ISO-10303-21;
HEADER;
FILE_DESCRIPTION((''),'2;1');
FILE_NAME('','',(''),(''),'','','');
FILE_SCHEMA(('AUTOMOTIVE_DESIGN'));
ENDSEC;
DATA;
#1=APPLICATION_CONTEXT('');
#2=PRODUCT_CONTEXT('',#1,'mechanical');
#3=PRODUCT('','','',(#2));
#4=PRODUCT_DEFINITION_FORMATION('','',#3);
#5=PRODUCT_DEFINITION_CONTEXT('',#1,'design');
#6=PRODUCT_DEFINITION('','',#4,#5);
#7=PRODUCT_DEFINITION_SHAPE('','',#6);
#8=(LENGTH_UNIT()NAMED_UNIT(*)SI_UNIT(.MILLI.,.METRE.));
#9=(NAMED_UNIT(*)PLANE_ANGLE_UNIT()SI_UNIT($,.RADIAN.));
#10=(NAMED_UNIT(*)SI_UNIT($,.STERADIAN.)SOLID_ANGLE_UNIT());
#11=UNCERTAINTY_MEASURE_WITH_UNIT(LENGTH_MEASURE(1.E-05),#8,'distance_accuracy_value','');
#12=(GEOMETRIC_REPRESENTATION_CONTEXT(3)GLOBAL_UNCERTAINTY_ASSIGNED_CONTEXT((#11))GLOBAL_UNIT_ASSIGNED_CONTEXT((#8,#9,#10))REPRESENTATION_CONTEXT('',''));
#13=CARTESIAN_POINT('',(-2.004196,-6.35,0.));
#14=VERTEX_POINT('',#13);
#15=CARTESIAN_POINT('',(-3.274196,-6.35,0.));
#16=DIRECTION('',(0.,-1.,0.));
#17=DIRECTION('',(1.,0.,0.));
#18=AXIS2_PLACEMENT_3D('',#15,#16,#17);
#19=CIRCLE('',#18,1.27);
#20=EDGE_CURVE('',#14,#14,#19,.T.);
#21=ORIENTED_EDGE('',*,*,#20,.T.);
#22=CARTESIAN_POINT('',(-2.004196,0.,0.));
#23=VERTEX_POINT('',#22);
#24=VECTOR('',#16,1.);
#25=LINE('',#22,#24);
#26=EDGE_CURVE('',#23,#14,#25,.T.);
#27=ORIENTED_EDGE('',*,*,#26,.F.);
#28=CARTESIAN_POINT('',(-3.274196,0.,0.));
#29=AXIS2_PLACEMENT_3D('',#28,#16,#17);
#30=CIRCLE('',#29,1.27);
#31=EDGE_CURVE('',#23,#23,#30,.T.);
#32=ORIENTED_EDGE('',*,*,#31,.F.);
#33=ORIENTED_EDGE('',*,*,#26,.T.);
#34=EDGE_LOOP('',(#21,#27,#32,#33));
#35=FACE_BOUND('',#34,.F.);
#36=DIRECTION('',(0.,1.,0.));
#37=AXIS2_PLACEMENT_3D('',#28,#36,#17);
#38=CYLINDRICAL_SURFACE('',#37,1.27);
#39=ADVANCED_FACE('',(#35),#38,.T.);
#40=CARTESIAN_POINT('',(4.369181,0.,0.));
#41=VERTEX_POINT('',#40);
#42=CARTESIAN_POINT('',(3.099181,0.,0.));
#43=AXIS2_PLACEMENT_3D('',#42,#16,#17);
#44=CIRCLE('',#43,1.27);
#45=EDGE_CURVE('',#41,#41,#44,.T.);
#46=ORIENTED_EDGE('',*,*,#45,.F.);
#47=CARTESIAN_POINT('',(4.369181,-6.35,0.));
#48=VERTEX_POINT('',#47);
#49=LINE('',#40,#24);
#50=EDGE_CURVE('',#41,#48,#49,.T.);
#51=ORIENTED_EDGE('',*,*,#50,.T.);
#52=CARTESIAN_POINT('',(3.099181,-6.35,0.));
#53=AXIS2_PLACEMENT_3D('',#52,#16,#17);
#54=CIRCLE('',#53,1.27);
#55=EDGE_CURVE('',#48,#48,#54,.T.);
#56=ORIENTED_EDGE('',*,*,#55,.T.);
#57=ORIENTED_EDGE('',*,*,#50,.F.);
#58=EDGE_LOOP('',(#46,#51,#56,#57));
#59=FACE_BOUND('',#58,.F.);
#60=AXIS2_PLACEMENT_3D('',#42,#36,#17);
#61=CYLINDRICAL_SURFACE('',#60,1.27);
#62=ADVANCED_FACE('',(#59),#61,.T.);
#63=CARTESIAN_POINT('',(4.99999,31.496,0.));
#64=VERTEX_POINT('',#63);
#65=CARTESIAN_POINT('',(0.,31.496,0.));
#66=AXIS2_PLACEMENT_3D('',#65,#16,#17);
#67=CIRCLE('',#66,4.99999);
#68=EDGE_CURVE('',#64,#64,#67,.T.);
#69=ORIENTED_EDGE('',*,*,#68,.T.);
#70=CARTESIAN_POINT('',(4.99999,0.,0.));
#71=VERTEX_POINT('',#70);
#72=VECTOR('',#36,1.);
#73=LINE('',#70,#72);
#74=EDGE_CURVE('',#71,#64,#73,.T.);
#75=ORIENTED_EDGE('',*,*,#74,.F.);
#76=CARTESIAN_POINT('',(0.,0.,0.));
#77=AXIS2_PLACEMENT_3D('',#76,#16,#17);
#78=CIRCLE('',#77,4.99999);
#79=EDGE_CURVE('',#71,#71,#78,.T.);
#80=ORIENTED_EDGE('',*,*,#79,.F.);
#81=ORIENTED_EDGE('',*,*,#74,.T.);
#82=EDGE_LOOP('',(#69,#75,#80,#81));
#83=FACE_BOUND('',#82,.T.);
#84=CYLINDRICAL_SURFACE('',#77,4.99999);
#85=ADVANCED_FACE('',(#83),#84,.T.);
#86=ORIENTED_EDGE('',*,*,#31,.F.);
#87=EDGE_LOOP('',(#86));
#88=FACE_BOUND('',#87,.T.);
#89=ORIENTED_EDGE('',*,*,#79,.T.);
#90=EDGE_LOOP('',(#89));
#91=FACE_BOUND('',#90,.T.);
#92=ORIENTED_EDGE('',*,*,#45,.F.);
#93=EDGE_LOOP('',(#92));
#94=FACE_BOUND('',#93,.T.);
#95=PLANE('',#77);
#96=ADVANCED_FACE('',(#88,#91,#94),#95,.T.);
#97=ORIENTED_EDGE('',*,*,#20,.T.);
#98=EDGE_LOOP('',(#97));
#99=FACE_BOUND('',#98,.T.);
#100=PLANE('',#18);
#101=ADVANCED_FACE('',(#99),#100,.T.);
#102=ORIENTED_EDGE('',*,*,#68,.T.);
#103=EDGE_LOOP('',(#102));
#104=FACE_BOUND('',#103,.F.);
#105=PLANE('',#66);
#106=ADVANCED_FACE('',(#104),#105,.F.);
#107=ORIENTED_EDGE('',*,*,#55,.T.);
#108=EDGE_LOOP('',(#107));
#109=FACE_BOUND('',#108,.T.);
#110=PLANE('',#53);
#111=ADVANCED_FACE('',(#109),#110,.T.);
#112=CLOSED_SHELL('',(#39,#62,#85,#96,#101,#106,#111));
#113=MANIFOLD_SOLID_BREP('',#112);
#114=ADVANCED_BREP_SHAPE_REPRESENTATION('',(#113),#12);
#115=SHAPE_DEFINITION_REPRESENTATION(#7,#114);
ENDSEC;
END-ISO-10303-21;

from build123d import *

# Parameters (mm, degrees)
F0_R     = 4.99999
F1_DEPTH = 31.496
F2_R     = 1.27
F3_DEPTH = 6.35


with BuildPart() as f1:
    # F0 (on Front) → F1 (new body)
    with BuildSketch(Plane.XZ):
        Circle(F0_R)
    extrude(amount=-F1_DEPTH)

    # F2 (on face) → F3 (join)
    with BuildSketch(Plane.XZ):
        with Locations((-3.274196, 0)):
            Circle(F2_R)
        with Locations((3.099181, 0)):
            Circle(F2_R)
    extrude(amount=F3_DEPTH)


solid = f1.part
